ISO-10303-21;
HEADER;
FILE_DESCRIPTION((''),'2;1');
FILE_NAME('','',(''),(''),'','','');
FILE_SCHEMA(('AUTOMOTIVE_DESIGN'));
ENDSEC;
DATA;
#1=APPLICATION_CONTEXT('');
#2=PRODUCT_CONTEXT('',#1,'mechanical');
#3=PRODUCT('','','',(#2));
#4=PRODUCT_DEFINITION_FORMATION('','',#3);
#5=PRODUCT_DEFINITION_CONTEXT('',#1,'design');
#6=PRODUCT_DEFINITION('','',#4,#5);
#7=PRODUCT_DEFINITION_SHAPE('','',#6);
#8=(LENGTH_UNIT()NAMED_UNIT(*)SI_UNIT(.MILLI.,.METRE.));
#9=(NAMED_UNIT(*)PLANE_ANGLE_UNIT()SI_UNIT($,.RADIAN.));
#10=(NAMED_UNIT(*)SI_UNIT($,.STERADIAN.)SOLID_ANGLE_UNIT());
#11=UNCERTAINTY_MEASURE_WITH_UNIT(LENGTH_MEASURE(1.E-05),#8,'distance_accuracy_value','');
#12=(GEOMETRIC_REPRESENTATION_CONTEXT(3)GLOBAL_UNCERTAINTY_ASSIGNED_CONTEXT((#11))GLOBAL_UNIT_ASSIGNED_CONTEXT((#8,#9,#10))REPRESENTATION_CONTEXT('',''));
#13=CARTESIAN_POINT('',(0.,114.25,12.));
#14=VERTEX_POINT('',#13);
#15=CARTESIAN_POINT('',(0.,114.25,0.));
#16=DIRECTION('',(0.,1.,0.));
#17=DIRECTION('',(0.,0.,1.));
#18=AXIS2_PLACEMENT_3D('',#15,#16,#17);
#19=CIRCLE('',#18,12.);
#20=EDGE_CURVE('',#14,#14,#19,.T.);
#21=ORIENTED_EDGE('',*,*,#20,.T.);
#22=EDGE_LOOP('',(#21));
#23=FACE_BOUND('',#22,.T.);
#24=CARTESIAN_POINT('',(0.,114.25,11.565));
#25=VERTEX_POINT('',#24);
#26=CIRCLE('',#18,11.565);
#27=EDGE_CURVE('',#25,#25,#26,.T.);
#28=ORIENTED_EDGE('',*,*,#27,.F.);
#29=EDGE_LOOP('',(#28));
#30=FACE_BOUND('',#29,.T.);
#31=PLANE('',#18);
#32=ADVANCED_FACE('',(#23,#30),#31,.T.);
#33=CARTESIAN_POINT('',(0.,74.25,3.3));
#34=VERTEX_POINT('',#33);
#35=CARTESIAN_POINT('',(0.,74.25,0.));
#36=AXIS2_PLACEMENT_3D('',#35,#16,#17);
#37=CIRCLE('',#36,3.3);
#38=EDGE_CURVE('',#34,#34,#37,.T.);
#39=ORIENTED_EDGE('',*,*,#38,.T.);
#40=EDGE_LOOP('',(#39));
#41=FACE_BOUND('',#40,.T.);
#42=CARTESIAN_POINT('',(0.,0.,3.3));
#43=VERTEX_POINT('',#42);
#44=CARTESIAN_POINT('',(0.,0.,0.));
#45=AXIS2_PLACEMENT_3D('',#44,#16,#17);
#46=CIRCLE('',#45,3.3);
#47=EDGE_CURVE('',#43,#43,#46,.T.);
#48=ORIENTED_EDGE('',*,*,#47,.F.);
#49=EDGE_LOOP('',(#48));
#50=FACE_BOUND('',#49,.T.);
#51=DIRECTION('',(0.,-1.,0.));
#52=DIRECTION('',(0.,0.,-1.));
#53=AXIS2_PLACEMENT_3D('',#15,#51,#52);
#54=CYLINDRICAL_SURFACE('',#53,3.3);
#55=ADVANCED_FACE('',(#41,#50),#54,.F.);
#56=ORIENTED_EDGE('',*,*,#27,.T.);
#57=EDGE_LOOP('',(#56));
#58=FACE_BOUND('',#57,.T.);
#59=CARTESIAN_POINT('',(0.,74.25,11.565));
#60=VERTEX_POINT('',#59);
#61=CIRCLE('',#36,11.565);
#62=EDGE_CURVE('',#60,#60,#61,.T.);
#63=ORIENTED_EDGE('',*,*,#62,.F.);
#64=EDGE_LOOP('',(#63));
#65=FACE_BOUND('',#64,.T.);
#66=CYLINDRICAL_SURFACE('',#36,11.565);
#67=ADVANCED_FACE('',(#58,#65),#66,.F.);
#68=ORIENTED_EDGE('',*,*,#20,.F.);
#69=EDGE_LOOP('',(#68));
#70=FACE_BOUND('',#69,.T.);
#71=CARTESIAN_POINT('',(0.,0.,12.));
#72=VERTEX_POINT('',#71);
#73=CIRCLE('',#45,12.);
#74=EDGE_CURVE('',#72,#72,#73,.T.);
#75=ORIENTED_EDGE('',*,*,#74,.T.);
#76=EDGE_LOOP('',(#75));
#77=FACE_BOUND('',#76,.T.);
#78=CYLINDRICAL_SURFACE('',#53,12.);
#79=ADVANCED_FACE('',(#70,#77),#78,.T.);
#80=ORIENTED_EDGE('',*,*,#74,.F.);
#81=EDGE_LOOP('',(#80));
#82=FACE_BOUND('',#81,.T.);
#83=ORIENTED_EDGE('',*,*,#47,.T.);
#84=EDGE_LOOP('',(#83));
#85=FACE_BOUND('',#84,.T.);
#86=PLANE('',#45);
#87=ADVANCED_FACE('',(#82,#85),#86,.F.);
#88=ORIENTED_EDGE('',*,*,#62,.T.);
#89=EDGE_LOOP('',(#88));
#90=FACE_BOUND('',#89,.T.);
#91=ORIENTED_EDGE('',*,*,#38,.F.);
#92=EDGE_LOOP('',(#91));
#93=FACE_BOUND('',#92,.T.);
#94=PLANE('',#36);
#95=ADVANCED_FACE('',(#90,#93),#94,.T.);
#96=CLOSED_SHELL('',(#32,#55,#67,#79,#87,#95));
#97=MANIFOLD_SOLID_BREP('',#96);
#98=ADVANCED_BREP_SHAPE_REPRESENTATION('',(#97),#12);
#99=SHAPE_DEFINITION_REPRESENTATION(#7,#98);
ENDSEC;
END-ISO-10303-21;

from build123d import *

# Parameters (mm, degrees)
SKETCH1_R               = 12
BOSS_EXTRUDE1_DEPTH     = 114.25
SKETCH2_R               = 11.565
CUT_EXTRUDE1_DEPTH      = 40
SKETCH3_R               = 3.3
CUT_EXTRUDE2_DEPTH      = 1
CUT_EXTRUDE2_DEPTH_BACK = 115.25


with BuildPart() as part:
    # Sketch1 → Boss-Extrude1 (new body)
    with BuildSketch(Plane(origin=(0, 0, 0), x_dir=(1, 0, 0), z_dir=(0, 1, 0))):
        Circle(SKETCH1_R)
    extrude(amount=BOSS_EXTRUDE1_DEPTH)

    # Sketch2 → Cut-Extrude1 (cut)
    with BuildSketch(Plane(origin=(0, 114.25, 0), x_dir=(1, 0, 0), z_dir=(0, 1, 0))):
        Circle(SKETCH2_R)
    extrude(amount=-CUT_EXTRUDE1_DEPTH, mode=Mode.SUBTRACT)

    # Sketch3 → Cut-Extrude2 (cut, two sides)
    with BuildSketch(Plane.XZ) as cut_extrude2_sk:
        Circle(SKETCH3_R)
    extrude(amount=CUT_EXTRUDE2_DEPTH, mode=Mode.SUBTRACT)
    extrude(cut_extrude2_sk.sketch, amount=-CUT_EXTRUDE2_DEPTH_BACK, mode=Mode.SUBTRACT)


solid = part.part
